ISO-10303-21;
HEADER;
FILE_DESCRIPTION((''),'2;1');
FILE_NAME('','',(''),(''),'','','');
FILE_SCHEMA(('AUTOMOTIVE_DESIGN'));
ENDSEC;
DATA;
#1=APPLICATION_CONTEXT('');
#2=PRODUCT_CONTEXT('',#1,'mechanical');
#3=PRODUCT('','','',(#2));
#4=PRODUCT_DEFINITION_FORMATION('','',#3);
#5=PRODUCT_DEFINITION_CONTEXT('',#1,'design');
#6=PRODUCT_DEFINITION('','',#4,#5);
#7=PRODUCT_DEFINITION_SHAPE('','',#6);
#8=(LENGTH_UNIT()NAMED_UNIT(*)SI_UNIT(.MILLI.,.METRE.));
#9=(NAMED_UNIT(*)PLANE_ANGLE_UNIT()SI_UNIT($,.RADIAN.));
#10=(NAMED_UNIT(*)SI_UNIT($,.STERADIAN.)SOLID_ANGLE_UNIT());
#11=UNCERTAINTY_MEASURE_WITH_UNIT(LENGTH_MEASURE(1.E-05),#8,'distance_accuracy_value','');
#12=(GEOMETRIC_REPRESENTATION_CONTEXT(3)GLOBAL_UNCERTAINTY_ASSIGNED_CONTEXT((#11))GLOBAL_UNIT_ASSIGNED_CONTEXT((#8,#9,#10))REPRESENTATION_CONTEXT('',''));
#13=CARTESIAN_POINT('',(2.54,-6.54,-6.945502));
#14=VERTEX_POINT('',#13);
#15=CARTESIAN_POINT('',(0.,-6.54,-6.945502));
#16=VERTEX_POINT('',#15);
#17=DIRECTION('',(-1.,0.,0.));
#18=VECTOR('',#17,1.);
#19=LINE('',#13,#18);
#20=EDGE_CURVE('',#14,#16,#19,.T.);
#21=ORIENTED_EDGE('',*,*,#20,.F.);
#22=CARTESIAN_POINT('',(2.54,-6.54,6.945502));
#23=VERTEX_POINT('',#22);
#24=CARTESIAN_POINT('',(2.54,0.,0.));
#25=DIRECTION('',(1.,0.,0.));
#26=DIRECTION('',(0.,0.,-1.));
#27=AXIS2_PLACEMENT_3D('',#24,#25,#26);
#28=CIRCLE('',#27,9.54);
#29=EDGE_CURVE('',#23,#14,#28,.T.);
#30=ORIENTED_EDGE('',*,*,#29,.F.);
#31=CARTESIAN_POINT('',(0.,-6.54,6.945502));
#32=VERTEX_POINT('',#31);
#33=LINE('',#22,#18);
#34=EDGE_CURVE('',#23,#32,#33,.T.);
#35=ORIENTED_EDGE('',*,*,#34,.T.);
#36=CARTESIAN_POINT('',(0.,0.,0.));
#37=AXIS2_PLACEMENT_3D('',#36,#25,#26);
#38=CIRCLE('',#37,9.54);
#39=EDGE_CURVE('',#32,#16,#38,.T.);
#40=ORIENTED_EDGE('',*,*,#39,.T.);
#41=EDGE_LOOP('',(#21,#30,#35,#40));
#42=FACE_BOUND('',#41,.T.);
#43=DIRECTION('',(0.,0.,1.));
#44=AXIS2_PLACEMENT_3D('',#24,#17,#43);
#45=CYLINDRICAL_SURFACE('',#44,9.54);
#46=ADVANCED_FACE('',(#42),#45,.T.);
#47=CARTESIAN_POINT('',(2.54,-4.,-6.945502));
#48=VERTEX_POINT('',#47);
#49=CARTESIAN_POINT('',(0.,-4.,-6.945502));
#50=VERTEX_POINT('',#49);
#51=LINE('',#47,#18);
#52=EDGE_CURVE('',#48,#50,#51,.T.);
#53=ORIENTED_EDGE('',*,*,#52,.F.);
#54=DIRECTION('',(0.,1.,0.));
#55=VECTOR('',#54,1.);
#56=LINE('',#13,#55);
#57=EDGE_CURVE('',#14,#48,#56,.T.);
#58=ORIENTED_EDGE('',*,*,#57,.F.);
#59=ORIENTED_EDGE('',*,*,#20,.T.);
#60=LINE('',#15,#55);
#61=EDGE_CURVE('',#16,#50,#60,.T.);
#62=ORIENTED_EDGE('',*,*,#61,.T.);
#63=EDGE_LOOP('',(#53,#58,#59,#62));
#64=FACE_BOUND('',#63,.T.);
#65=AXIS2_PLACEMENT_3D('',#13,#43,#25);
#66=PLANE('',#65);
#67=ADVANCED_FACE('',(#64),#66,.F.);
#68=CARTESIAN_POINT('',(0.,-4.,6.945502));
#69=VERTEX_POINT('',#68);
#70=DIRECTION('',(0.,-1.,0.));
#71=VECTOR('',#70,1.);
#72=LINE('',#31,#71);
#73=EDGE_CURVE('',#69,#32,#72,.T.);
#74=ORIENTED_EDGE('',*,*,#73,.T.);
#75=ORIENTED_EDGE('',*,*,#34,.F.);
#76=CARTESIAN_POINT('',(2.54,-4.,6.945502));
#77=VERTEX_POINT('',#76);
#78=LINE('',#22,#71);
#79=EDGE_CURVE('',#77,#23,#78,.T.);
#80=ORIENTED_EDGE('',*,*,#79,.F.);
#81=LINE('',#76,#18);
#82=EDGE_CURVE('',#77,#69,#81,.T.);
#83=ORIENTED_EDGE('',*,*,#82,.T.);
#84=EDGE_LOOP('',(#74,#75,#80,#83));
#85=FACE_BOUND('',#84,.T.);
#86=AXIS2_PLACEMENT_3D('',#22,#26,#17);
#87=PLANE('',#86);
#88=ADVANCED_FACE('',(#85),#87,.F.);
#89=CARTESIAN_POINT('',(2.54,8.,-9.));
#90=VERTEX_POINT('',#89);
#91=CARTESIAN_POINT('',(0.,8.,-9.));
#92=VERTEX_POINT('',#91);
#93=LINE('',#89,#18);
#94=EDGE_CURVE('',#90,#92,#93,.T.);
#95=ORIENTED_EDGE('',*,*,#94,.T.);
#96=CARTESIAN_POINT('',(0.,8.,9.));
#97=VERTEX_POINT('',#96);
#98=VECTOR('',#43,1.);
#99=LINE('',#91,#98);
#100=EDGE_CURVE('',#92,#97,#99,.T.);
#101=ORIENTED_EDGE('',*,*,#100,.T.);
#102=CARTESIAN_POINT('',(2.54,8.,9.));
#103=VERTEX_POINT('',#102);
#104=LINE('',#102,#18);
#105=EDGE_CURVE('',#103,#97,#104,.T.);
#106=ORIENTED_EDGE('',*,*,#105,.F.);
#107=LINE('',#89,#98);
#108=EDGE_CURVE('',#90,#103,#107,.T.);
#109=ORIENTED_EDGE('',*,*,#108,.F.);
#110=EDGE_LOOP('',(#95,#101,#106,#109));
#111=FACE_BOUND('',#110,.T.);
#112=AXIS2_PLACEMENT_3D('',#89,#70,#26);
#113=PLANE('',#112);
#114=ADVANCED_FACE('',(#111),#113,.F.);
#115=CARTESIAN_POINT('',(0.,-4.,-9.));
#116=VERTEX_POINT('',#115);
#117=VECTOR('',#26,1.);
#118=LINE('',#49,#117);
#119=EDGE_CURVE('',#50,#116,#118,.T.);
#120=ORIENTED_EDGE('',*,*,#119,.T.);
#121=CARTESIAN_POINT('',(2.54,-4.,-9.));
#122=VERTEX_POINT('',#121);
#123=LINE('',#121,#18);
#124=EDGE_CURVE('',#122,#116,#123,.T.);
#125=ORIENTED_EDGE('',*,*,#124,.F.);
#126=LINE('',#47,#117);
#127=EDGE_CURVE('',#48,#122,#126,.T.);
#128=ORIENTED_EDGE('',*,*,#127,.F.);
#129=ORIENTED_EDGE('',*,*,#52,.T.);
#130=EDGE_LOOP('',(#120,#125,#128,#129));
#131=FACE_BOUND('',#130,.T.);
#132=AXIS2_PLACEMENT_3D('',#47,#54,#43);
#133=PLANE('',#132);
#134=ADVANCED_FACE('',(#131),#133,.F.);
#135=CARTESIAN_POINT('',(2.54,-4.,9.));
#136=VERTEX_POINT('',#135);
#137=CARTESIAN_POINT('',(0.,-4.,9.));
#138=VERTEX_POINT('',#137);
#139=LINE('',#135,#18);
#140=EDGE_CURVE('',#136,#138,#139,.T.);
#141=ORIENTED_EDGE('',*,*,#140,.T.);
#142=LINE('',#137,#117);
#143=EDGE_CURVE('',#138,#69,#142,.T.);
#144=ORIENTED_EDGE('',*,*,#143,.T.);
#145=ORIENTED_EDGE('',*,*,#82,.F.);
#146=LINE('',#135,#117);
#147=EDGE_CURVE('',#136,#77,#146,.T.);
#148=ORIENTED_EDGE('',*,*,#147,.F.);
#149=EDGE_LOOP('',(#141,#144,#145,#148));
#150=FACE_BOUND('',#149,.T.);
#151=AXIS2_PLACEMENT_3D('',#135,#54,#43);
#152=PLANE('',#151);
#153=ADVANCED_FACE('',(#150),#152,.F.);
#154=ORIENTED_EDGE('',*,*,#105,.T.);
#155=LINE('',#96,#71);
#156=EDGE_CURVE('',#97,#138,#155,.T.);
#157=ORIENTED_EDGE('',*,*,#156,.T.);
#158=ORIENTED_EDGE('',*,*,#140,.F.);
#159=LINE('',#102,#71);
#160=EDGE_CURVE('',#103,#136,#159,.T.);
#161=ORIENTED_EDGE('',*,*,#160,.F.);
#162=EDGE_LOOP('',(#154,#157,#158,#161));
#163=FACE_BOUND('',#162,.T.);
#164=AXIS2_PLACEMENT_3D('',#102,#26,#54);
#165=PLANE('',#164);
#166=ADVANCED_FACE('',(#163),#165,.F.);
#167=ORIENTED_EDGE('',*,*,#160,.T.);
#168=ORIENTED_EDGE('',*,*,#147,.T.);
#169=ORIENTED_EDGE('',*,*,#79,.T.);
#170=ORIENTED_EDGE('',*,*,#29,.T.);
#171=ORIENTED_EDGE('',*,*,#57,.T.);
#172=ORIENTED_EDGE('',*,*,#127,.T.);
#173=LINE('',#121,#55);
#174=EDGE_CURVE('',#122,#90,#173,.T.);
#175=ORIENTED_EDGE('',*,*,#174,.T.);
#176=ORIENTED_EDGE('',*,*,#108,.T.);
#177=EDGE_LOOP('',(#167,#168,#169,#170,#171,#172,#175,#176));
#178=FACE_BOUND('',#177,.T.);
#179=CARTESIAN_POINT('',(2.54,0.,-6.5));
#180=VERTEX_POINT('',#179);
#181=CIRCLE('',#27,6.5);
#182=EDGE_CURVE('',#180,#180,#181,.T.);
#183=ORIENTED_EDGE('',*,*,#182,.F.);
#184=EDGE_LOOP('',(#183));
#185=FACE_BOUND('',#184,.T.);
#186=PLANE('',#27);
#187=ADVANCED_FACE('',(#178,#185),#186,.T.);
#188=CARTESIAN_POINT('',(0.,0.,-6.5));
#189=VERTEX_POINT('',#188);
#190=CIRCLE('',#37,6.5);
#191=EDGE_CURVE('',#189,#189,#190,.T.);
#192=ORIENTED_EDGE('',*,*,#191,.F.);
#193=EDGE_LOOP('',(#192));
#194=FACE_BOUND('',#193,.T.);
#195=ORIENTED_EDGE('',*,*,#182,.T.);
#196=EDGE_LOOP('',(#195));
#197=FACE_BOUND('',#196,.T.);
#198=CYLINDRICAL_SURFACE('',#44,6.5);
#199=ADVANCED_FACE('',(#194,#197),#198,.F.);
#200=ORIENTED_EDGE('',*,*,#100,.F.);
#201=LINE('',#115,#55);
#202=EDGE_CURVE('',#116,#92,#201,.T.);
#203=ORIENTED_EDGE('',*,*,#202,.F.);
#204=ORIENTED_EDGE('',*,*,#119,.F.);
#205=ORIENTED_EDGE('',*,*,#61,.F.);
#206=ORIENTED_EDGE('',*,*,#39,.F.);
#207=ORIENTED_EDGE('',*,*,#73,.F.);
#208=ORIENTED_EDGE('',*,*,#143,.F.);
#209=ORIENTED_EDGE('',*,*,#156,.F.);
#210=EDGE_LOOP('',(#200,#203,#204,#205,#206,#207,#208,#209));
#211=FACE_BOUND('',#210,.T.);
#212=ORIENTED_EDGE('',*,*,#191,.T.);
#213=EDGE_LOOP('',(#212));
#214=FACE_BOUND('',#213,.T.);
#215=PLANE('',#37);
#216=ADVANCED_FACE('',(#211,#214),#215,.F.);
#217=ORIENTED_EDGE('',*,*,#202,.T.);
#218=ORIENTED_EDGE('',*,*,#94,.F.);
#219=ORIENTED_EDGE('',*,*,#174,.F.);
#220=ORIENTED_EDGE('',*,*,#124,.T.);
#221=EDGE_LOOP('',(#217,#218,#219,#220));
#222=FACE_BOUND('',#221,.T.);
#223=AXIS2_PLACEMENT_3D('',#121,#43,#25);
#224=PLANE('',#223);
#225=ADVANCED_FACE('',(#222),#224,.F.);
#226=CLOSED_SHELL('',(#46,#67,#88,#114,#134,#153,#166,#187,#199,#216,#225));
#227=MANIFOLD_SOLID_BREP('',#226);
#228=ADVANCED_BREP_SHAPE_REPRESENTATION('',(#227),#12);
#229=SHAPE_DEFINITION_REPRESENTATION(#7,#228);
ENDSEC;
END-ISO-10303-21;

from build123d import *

# Parameters (mm, degrees)
SKETCH1_R  = 6.5
BASE_DEPTH = 2.54


with BuildPart() as part:
    # Sketch1 → Base (new body)
    with BuildSketch(Plane(origin=(0, 0, 0), x_dir=(0, 0, -1), z_dir=(1, 0, 0))):
        with BuildLine():
            Line((9, -4), (9, 8))
            Line((9, 8), (-9, 8))
            Line((-9, 8), (-9, -4))
            Line((-9, -4), (-6.945502142, -4))
            Line((-6.945502142, -4), (-6.945502142, -6.54))
            ThreePointArc((-6.945502142, -6.54), (0, -9.54), (6.945502142, -6.54))
            Line((6.945502142, -6.54), (6.945502142, -4))
            Line((6.945502142, -4), (9, -4))
        make_face()
        Circle(SKETCH1_R, mode=Mode.SUBTRACT)
    extrude(amount=BASE_DEPTH)


solid = part.part
